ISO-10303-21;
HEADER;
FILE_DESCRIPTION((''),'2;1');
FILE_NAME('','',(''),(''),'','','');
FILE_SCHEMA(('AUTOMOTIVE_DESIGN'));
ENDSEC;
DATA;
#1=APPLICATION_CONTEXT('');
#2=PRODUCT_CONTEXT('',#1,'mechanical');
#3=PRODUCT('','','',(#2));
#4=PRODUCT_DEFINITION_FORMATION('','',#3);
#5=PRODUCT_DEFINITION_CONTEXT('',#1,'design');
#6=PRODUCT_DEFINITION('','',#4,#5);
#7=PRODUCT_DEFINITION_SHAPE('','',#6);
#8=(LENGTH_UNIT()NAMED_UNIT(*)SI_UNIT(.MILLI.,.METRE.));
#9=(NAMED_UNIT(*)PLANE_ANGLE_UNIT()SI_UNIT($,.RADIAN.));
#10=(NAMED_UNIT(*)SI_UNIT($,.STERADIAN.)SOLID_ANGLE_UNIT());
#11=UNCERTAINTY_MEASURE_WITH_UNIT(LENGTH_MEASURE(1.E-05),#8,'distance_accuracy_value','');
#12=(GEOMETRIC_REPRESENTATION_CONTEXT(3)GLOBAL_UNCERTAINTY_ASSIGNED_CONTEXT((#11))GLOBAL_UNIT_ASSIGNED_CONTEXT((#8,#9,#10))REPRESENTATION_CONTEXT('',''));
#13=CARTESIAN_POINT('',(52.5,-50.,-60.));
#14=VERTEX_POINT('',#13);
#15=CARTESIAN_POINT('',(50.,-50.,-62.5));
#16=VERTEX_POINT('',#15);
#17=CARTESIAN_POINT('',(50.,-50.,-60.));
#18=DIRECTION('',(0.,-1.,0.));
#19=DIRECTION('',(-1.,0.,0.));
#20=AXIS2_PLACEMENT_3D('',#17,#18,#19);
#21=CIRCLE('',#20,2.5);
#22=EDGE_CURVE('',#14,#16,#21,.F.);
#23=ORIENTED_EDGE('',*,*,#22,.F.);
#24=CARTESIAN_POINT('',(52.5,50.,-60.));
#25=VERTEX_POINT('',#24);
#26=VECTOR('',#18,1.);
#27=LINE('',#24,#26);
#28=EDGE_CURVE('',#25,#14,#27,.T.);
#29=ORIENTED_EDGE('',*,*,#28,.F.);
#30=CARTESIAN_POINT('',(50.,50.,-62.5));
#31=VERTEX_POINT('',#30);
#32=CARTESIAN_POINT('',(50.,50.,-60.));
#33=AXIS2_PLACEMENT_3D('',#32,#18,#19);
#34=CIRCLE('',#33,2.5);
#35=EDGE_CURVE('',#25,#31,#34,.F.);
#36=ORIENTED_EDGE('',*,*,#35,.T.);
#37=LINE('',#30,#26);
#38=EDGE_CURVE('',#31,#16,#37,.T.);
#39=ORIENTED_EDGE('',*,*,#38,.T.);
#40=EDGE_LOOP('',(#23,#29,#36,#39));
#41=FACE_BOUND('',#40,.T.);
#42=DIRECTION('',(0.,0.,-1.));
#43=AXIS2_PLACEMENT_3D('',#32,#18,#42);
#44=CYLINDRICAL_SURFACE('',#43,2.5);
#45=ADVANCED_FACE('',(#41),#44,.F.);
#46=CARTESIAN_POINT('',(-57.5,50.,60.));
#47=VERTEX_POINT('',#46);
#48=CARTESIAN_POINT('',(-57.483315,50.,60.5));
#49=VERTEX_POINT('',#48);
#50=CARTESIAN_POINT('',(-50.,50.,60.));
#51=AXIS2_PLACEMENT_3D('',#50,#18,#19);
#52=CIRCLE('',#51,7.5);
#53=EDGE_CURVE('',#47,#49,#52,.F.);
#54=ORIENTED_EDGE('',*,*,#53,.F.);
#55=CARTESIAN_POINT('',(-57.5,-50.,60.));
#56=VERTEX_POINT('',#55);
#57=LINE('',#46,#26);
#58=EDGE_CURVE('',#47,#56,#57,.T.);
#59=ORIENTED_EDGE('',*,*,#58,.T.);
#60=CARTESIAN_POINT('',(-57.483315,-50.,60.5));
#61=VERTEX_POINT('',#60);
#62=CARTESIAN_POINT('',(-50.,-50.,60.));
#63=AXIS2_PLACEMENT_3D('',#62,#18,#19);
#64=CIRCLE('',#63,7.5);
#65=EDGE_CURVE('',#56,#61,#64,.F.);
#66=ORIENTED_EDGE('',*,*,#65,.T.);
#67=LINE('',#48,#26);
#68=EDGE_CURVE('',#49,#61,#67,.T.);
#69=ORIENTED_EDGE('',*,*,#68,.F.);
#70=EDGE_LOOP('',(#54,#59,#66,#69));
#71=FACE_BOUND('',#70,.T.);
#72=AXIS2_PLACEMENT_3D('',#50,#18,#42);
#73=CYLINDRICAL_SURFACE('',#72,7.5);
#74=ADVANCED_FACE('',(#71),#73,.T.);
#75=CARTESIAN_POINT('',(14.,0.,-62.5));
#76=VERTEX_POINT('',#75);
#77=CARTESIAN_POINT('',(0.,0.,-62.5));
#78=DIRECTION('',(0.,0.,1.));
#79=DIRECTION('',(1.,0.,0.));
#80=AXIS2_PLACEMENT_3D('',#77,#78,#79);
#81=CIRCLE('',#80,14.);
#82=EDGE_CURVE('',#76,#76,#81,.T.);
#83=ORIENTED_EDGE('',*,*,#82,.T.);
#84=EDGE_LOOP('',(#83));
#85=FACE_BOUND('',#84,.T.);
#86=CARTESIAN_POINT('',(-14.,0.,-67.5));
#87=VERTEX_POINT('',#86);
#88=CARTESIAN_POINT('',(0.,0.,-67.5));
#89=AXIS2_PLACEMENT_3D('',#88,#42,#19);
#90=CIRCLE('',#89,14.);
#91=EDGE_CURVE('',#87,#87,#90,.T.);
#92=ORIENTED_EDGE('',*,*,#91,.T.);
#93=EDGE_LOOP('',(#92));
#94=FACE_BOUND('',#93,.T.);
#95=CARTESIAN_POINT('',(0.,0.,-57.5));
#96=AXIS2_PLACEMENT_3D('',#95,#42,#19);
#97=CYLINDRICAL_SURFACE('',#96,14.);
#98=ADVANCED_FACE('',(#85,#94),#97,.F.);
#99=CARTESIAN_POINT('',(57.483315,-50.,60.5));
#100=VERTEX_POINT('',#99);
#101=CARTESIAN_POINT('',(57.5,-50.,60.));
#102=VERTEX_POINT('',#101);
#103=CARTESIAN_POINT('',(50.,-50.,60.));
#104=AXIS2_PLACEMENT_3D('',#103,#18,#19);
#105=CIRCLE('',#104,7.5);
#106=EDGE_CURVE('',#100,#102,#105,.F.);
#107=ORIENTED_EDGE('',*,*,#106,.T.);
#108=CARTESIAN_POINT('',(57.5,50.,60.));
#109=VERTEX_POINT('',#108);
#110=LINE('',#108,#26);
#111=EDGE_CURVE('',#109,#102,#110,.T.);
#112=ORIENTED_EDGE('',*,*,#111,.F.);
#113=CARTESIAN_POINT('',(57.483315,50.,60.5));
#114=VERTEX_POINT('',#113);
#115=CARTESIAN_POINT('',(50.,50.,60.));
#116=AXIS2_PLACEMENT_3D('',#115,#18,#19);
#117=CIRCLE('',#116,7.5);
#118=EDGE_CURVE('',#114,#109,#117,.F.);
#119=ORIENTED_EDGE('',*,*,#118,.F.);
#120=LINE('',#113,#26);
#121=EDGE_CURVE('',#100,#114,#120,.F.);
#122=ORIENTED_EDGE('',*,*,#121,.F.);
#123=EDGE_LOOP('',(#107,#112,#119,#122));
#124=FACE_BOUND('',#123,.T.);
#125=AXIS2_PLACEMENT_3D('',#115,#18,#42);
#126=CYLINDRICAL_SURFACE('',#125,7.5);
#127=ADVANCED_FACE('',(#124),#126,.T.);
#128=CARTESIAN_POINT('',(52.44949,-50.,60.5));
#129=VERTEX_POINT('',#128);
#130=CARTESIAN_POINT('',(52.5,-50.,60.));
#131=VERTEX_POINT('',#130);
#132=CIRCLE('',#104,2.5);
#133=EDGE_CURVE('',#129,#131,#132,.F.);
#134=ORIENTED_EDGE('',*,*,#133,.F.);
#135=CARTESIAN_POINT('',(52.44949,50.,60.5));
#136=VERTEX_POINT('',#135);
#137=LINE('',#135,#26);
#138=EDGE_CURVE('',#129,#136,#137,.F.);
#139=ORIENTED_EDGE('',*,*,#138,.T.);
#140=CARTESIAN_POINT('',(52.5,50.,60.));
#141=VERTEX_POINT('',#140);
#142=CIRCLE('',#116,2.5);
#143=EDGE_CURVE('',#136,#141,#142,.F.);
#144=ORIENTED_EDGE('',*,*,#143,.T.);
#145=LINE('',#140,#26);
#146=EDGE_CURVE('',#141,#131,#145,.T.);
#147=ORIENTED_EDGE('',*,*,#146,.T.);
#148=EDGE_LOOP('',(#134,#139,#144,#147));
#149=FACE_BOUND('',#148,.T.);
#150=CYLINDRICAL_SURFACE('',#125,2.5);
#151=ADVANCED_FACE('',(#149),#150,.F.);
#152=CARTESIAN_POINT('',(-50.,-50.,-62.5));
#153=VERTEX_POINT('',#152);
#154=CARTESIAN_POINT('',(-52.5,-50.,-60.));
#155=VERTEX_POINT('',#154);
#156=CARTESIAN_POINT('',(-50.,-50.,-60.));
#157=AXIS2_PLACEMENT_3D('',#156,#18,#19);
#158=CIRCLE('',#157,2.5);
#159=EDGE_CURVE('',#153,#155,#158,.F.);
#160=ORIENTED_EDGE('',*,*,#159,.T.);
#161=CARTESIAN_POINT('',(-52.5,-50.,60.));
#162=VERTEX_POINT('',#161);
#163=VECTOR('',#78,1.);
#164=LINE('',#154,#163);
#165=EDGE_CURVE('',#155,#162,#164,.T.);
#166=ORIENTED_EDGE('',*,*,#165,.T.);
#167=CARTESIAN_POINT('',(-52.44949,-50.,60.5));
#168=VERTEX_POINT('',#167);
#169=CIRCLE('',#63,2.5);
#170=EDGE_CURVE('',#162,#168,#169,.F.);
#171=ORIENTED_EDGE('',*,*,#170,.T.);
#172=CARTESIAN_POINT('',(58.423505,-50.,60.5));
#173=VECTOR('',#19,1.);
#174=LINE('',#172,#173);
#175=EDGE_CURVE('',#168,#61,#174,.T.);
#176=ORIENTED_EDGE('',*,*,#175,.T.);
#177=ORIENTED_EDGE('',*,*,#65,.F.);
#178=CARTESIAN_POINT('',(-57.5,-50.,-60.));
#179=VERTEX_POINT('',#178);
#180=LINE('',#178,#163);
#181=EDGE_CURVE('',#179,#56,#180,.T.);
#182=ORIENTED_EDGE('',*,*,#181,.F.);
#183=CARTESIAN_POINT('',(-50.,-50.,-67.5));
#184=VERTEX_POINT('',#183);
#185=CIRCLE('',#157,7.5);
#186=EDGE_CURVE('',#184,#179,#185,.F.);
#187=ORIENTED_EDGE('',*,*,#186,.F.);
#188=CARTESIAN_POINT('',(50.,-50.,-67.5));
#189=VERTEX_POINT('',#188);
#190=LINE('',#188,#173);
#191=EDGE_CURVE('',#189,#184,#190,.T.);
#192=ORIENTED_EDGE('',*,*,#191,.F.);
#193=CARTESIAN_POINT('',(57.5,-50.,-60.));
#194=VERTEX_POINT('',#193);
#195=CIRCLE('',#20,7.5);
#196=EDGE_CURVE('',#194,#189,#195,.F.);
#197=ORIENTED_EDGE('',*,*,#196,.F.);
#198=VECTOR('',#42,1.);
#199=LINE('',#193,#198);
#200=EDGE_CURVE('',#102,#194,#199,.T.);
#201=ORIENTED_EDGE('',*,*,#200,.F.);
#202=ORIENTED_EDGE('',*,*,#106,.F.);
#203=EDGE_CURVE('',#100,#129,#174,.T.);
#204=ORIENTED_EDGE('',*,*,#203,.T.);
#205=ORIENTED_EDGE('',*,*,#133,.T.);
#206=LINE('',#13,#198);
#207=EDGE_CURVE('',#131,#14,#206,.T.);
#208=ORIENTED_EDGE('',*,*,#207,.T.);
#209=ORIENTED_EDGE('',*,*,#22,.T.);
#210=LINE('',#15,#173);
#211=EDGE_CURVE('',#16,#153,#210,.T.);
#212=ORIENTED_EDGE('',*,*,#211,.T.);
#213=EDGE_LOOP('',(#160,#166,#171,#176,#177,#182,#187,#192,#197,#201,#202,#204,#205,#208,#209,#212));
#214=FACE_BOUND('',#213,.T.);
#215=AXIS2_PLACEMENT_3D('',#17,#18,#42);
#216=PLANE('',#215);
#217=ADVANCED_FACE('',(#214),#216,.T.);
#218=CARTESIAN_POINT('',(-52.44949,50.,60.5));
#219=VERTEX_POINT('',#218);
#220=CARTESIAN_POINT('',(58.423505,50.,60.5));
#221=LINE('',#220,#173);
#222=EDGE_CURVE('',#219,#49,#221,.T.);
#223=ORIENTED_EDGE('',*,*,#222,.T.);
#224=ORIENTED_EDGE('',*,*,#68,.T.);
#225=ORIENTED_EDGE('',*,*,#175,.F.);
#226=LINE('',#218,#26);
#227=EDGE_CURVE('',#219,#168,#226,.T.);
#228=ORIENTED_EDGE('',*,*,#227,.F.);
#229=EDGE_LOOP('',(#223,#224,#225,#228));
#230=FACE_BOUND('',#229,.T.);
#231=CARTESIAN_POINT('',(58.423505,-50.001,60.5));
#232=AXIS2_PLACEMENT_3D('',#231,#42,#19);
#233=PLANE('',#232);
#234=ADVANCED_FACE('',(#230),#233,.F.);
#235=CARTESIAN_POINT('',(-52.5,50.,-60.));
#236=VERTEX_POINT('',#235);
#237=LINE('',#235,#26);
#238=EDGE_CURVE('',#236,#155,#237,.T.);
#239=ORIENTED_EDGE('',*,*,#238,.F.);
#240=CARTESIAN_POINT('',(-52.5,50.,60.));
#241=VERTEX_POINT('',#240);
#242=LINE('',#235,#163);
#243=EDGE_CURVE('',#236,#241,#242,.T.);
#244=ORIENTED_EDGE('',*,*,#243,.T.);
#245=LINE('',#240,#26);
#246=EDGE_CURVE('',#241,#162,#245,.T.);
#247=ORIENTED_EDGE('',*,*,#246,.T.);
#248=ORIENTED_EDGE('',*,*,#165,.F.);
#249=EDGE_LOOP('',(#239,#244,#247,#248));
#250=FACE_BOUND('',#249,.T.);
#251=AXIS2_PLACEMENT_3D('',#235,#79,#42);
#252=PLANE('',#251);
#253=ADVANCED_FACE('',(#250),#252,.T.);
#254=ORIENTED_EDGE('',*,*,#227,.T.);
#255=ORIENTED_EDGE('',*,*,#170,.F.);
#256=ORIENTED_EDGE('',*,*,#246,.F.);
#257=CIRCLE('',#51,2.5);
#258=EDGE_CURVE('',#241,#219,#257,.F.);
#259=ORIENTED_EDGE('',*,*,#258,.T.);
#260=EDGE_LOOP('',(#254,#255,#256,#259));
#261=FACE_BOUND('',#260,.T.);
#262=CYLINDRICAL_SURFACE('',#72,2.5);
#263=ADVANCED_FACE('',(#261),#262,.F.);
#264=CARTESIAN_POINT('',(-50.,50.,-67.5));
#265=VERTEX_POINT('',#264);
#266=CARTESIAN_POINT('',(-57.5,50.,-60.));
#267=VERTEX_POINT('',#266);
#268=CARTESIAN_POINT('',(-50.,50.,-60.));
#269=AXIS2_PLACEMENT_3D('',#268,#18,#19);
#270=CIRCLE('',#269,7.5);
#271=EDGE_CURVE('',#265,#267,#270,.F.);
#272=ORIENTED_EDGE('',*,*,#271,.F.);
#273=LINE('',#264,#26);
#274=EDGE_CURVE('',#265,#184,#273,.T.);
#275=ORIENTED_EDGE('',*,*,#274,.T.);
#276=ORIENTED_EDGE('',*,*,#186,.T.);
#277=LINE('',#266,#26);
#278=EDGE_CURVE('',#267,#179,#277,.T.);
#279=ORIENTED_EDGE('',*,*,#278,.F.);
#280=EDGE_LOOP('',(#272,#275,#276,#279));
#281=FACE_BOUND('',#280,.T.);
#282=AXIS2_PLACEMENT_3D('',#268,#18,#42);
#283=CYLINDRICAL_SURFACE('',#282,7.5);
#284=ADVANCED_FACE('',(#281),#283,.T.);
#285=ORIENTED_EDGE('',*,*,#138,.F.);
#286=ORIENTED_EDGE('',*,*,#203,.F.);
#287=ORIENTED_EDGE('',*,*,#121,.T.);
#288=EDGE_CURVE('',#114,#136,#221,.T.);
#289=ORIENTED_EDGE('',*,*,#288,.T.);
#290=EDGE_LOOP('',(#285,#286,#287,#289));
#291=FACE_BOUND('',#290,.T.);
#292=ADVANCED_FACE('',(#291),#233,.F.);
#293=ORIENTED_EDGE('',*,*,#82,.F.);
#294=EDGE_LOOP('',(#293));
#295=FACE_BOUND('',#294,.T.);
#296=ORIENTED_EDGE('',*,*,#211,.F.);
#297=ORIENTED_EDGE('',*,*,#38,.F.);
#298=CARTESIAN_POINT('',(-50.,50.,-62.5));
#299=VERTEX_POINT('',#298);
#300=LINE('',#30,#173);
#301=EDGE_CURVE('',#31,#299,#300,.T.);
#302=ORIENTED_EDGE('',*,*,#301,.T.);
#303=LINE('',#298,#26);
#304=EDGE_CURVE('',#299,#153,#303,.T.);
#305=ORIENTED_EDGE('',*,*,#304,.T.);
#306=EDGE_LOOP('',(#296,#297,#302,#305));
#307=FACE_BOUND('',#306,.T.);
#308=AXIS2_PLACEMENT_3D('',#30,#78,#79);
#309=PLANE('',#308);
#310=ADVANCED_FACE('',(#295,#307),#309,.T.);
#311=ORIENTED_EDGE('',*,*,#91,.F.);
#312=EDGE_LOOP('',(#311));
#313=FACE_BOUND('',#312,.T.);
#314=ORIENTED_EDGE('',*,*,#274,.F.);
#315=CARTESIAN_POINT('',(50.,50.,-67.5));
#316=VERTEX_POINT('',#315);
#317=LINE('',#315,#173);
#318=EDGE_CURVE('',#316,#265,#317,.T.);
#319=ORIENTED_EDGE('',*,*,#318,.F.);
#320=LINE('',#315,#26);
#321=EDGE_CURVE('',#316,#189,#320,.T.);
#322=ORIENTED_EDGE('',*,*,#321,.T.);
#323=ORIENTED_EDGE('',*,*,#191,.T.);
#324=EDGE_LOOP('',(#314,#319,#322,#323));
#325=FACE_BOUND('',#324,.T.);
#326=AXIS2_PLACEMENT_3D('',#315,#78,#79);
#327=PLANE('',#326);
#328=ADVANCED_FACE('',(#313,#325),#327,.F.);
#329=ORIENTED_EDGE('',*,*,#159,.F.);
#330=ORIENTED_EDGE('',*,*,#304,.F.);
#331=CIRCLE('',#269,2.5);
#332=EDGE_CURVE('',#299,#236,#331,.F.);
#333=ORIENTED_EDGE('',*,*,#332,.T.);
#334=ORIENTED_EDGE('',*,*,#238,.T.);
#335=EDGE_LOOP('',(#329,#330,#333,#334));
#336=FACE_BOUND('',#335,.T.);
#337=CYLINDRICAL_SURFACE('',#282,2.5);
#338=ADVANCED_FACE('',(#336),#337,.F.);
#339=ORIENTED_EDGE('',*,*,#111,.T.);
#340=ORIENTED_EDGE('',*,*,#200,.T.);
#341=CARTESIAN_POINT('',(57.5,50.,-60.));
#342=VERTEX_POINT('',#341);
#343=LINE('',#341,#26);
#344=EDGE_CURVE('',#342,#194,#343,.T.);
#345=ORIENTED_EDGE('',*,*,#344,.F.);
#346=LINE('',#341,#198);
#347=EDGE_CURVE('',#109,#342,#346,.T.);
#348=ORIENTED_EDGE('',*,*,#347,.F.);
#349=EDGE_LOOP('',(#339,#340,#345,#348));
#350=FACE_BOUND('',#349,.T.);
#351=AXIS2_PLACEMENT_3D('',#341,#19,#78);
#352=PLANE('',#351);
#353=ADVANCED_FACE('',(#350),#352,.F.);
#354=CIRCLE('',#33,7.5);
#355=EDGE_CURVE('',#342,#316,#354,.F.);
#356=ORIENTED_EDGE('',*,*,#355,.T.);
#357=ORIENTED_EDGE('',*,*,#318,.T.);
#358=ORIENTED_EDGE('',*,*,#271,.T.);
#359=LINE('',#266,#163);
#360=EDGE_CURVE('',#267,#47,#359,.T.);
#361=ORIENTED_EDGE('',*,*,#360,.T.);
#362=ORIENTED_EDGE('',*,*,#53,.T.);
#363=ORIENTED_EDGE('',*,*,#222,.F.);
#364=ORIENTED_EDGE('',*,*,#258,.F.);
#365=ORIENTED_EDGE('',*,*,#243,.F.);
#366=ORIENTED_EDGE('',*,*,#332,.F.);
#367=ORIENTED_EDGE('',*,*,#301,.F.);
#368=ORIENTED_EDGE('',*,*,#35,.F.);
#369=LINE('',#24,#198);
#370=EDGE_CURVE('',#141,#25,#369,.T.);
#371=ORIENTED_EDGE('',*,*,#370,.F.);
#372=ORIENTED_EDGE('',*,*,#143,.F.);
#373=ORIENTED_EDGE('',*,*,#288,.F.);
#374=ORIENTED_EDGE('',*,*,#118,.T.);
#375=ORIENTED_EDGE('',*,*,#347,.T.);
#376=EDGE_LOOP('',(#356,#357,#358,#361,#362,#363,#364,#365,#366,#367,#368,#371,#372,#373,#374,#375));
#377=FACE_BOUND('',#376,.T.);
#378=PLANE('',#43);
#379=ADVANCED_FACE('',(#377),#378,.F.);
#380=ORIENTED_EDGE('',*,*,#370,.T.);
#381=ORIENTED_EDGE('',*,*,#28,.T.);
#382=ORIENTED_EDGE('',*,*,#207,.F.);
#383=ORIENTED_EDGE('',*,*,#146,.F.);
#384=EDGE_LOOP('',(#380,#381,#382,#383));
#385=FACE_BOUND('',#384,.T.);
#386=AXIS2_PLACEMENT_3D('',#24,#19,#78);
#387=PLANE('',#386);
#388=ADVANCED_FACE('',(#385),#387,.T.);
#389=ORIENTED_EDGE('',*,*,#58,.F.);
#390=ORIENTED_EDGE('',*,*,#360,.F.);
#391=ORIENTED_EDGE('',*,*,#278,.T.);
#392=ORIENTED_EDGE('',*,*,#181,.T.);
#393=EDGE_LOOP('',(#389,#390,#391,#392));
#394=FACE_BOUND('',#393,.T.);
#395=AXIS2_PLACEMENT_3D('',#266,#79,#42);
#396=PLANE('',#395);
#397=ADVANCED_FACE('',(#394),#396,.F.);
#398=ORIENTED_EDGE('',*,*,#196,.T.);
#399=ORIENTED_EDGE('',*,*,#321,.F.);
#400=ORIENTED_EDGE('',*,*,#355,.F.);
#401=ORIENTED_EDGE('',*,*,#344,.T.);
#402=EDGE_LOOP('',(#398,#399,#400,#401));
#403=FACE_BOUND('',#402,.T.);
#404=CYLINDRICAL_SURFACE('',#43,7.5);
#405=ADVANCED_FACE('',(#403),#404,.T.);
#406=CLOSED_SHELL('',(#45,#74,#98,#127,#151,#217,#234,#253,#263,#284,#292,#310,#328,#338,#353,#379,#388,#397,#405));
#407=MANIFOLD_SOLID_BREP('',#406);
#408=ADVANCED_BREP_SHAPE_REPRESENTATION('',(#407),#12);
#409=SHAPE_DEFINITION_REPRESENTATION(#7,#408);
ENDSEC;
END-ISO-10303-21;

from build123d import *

# Parameters (mm, degrees)
EXTRUDE_THIN1_DEPTH = 50
SKETCH3_R           = 14
CUT_EXTRUDE2_DEPTH  = 10
CUT_EXTRUDE3_REACH  = 135.651
SKETCH4_W           = 129.958556301
SKETCH4_H           = 19.187259519


with BuildPart() as part:
    # Sketch1 → Extrude-Thin1 (new, symmetric)
    with BuildSketch(Plane(origin=(0, 0, 0), x_dir=(1, 0, 0), z_dir=(0, 1, 0))):
        with BuildLine():
            Line((-57.5, 60), (-57.5, -60))
            ThreePointArc((-57.5, -60), (-55.303300859, -65.303300859), (-50, -67.5))
            Line((-50, -67.5), (50, -67.5))
            ThreePointArc((50, -67.5), (55.303300859, -65.303300859), (57.5, -60))
            Line((57.5, -60), (57.5, 60))
            ThreePointArc((57.5, 60), (55.303300859, 65.303300859), (50, 67.5))
            Line((50, 67.5), (-50, 67.5))
            ThreePointArc((-50, 67.5), (-55.303300859, 65.303300859), (-57.5, 60))
        make_face()
        with BuildLine():
            Line((-52.5, 60), (-52.5, -60))
            ThreePointArc((-52.5, -60), (-51.767766953, -61.767766953), (-50, -62.5))
            Line((-50, -62.5), (50, -62.5))
            ThreePointArc((50, -62.5), (51.767766953, -61.767766953), (52.5, -60))
            Line((52.5, -60), (52.5, 60))
            ThreePointArc((52.5, 60), (51.767766953, 61.767766953), (50, 62.5))
            Line((50, 62.5), (-50, 62.5))
            ThreePointArc((-50, 62.5), (-51.767766953, 61.767766953), (-52.5, 60))
        make_face(mode=Mode.SUBTRACT)
    extrude(amount=EXTRUDE_THIN1_DEPTH, both=True)

    # Sketch3 → Cut-Extrude2 (cut)
    with BuildSketch(Plane(origin=(0, 0, -67.5), x_dir=(-1, 0, 0), z_dir=(0, 0, -1))):
        Circle(SKETCH3_R)
    extrude(amount=-CUT_EXTRUDE2_DEPTH, mode=Mode.SUBTRACT)

    # Sketch4 → Cut-Extrude3 (cut, up to next)
    with BuildSketch(Plane(origin=(0, 50, 0), x_dir=(1, 0, 0), z_dir=(0, 1, 0)), mode=Mode.PRIVATE) as cut_extrude3_sk1:
        with Locations((-6.555772869, -70.09362976)):
            Rectangle(SKETCH4_W, SKETCH4_H)
    cut_extrude3_tool1 = extrude(cut_extrude3_sk1.sketch, amount=-CUT_EXTRUDE3_REACH, mode=Mode.PRIVATE) & part.part
    add(cut_extrude3_tool1.solids().sort_by_distance((-6.555773, 50, 70.09363))[0], mode=Mode.SUBTRACT)


solid = part.part
